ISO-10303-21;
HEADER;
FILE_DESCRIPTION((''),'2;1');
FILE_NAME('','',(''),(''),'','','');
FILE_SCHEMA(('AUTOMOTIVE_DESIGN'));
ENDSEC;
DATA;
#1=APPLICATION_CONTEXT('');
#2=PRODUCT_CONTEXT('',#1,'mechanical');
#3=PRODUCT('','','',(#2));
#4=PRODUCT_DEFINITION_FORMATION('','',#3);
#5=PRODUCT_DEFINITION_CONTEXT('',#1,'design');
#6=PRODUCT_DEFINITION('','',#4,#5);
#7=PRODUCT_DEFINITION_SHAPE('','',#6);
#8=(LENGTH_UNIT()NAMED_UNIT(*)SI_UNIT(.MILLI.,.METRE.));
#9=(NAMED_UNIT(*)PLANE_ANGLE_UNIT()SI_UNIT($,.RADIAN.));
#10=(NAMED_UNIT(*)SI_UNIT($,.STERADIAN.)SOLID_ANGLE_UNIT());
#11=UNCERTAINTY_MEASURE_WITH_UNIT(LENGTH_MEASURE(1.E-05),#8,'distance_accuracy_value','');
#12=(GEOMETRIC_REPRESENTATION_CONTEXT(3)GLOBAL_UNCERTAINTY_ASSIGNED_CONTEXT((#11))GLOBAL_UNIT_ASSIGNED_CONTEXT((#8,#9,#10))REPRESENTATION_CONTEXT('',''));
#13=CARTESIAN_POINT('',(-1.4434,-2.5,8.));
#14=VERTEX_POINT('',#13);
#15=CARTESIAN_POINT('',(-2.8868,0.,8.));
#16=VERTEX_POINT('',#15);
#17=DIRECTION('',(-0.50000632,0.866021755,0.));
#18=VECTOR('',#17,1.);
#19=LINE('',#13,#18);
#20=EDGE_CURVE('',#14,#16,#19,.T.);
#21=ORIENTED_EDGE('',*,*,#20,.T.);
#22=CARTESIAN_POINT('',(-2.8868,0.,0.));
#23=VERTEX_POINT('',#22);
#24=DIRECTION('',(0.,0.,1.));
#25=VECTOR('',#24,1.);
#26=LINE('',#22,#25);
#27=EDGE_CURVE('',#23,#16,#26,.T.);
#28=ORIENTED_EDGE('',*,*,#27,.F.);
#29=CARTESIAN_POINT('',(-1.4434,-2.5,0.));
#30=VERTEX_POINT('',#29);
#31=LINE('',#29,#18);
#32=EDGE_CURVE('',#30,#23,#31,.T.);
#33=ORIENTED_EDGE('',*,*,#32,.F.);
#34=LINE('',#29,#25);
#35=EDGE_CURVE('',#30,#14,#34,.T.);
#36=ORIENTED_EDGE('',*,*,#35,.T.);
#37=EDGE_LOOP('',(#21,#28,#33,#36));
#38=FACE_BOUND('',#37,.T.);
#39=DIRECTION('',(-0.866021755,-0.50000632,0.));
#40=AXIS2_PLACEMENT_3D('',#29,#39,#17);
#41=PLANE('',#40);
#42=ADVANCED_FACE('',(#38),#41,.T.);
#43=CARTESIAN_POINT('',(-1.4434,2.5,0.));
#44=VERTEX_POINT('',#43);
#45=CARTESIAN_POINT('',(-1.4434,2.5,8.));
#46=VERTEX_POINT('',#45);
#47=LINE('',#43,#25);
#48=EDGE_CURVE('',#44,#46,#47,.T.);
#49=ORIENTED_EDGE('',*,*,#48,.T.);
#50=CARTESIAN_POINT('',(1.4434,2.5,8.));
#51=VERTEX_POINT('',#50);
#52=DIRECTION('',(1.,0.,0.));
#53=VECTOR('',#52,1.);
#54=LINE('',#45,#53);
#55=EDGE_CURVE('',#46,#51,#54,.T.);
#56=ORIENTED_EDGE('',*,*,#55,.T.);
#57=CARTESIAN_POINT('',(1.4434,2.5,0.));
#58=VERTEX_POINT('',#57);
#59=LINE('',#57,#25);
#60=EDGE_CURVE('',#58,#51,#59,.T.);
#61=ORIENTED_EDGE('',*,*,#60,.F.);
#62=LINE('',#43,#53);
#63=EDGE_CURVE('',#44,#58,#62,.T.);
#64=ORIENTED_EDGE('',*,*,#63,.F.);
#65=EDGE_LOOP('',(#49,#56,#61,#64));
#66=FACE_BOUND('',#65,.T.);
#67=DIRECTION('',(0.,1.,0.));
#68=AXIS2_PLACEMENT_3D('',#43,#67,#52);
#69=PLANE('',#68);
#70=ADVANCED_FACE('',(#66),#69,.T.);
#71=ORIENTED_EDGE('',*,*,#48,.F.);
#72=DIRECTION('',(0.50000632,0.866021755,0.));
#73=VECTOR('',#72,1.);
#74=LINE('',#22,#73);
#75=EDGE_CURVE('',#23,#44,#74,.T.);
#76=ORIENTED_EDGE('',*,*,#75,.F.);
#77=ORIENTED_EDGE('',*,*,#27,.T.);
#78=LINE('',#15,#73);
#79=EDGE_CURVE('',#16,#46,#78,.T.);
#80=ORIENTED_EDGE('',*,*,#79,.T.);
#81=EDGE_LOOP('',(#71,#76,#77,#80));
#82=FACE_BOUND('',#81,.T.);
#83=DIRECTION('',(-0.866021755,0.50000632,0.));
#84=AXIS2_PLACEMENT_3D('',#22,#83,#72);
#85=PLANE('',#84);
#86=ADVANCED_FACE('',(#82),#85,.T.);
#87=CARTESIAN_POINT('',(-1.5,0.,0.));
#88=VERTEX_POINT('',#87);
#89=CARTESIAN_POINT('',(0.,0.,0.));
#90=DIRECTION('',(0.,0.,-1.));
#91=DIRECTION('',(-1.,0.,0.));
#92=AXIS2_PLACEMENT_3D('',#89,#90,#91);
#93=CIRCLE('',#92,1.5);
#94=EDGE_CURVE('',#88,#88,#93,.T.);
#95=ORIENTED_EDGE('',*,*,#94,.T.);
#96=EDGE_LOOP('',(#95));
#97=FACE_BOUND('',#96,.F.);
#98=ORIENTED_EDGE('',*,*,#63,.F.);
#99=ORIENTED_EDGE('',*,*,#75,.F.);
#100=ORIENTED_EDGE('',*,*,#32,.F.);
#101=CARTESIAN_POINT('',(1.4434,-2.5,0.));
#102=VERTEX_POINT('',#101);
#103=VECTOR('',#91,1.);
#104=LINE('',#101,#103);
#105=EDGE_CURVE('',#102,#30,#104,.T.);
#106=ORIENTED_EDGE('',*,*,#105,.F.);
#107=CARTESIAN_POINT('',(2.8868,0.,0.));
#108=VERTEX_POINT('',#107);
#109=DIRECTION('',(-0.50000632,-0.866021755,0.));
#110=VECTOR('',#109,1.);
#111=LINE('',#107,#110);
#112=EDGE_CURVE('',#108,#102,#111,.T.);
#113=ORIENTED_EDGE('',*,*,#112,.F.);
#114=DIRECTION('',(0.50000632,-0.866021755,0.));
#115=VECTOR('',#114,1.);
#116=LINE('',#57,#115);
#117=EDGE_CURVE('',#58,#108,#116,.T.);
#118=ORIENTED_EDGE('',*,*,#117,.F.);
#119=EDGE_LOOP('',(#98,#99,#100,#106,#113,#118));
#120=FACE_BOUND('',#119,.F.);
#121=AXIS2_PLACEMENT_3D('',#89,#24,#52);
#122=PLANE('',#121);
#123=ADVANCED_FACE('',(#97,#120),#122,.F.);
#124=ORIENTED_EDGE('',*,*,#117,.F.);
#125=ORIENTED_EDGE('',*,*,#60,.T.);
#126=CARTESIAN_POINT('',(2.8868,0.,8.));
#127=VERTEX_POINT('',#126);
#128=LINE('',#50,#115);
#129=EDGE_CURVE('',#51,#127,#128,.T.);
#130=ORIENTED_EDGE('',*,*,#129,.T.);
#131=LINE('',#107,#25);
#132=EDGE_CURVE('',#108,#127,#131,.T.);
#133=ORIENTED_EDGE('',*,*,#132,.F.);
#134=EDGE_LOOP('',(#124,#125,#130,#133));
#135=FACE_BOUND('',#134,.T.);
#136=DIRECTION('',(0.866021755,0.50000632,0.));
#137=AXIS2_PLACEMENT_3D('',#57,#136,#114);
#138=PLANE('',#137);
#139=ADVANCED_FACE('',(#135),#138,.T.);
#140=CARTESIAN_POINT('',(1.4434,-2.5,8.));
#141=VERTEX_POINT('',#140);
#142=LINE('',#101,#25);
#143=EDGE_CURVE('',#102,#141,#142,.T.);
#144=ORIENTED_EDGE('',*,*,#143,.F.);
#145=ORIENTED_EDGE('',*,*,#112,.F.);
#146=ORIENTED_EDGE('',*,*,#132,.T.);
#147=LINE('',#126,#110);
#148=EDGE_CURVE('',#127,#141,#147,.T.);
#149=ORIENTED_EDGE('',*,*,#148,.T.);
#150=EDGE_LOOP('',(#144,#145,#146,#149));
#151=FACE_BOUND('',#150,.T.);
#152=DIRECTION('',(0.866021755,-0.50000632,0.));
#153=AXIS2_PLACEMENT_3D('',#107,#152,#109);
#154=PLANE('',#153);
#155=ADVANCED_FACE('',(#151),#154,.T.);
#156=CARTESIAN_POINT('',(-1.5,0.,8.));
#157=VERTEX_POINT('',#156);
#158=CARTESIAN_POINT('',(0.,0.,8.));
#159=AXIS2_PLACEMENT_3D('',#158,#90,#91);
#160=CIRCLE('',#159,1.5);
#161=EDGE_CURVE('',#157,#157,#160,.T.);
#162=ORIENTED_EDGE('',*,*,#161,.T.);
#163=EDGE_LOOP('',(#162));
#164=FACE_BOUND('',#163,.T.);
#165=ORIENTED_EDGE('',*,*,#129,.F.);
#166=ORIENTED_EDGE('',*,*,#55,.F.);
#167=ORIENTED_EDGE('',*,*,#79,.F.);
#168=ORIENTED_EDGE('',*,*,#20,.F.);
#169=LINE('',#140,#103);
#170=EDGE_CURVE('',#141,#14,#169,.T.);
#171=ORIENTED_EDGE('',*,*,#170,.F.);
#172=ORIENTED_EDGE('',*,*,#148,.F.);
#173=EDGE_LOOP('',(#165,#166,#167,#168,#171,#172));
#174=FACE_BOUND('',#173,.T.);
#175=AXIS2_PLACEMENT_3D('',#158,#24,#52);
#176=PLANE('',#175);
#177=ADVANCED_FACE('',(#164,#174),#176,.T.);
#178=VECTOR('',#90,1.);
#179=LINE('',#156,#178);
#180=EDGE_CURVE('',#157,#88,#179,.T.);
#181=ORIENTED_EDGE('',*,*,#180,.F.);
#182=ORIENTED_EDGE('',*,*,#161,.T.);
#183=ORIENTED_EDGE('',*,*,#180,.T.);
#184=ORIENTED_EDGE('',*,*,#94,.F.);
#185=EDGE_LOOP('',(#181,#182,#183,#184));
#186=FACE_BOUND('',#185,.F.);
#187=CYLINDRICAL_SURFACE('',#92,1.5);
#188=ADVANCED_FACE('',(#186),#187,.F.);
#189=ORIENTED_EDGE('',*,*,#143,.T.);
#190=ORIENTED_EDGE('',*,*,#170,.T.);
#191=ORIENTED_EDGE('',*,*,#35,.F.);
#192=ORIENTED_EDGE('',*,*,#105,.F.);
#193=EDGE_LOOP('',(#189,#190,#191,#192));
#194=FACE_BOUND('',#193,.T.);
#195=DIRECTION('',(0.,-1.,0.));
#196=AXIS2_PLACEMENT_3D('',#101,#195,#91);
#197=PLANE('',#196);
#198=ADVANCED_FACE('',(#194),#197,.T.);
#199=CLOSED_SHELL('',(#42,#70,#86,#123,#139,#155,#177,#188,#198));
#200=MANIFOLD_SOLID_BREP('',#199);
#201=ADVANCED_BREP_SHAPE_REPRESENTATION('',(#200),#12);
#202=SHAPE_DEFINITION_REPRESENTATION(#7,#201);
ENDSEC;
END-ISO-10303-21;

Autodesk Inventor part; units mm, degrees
ref_plane "YZ Plane" through (0, 0, 0) normal (1, 0, 0) x (0, 1, 0)
ref_plane "XZ Plane" through (0, 0, 0) normal (0, 1, 0) x (-1, 0, 0)
ref_plane "XY Plane" through (0, 0, 0) normal (0, 0, 1) x (1, 0, 0)
sketch "Sketch1" plane through (0, 0, 0) normal (0, 0, 1) x (1, 0, 0)
  line L0 (2.8868, 0) -> (1.4434, -2.5)
  line L1 (1.4434, -2.5) -> (-1.4434, -2.5)
  line L2 (-1.4434, -2.5) -> (-2.8868, 0)
  line L3 (-2.8868, 0) -> (-1.4434, 2.5)
  line L4 (-1.4434, 2.5) -> (1.4434, 2.5)
  line L5 (1.4434, 2.5) -> (2.8868, 0)
  point P0 (0, 0)
  point P1 (0, 0)
  dimension "d0" = 5
extrude "Extrusion1" add sketch "Sketch1" along normal blind 8
sketch "Sketch2" plane through (0, 0, 8) normal (0, 0, 1) x (1, 0, 0)
  circle A0 centre (0, 0) radius 1.5
  dimension "d3" = 3
extrude "Extrusion2" add sketch "Sketch2" along normal blind 8
sketch "Sketch3" plane through (0, 0, 0) normal (0, 0, -1) x (-1, 0, 0)
  circle A0 centre (0, 0) radius 1.5
  dimension "d6" = 3
extrude "Extrusion3" cut sketch "Sketch3" against normal blind 4
sketch "Sketch4" plane through (0, 0, 4) normal (0, 0, -1) x (-1, 0, 0)
  circle A0 centre (0, 0) radius 1.5 projected
extrude "Extrusion4" cut sketch "Sketch4" against normal through all
properties part number "Spacer8mm_m3_970080354"
